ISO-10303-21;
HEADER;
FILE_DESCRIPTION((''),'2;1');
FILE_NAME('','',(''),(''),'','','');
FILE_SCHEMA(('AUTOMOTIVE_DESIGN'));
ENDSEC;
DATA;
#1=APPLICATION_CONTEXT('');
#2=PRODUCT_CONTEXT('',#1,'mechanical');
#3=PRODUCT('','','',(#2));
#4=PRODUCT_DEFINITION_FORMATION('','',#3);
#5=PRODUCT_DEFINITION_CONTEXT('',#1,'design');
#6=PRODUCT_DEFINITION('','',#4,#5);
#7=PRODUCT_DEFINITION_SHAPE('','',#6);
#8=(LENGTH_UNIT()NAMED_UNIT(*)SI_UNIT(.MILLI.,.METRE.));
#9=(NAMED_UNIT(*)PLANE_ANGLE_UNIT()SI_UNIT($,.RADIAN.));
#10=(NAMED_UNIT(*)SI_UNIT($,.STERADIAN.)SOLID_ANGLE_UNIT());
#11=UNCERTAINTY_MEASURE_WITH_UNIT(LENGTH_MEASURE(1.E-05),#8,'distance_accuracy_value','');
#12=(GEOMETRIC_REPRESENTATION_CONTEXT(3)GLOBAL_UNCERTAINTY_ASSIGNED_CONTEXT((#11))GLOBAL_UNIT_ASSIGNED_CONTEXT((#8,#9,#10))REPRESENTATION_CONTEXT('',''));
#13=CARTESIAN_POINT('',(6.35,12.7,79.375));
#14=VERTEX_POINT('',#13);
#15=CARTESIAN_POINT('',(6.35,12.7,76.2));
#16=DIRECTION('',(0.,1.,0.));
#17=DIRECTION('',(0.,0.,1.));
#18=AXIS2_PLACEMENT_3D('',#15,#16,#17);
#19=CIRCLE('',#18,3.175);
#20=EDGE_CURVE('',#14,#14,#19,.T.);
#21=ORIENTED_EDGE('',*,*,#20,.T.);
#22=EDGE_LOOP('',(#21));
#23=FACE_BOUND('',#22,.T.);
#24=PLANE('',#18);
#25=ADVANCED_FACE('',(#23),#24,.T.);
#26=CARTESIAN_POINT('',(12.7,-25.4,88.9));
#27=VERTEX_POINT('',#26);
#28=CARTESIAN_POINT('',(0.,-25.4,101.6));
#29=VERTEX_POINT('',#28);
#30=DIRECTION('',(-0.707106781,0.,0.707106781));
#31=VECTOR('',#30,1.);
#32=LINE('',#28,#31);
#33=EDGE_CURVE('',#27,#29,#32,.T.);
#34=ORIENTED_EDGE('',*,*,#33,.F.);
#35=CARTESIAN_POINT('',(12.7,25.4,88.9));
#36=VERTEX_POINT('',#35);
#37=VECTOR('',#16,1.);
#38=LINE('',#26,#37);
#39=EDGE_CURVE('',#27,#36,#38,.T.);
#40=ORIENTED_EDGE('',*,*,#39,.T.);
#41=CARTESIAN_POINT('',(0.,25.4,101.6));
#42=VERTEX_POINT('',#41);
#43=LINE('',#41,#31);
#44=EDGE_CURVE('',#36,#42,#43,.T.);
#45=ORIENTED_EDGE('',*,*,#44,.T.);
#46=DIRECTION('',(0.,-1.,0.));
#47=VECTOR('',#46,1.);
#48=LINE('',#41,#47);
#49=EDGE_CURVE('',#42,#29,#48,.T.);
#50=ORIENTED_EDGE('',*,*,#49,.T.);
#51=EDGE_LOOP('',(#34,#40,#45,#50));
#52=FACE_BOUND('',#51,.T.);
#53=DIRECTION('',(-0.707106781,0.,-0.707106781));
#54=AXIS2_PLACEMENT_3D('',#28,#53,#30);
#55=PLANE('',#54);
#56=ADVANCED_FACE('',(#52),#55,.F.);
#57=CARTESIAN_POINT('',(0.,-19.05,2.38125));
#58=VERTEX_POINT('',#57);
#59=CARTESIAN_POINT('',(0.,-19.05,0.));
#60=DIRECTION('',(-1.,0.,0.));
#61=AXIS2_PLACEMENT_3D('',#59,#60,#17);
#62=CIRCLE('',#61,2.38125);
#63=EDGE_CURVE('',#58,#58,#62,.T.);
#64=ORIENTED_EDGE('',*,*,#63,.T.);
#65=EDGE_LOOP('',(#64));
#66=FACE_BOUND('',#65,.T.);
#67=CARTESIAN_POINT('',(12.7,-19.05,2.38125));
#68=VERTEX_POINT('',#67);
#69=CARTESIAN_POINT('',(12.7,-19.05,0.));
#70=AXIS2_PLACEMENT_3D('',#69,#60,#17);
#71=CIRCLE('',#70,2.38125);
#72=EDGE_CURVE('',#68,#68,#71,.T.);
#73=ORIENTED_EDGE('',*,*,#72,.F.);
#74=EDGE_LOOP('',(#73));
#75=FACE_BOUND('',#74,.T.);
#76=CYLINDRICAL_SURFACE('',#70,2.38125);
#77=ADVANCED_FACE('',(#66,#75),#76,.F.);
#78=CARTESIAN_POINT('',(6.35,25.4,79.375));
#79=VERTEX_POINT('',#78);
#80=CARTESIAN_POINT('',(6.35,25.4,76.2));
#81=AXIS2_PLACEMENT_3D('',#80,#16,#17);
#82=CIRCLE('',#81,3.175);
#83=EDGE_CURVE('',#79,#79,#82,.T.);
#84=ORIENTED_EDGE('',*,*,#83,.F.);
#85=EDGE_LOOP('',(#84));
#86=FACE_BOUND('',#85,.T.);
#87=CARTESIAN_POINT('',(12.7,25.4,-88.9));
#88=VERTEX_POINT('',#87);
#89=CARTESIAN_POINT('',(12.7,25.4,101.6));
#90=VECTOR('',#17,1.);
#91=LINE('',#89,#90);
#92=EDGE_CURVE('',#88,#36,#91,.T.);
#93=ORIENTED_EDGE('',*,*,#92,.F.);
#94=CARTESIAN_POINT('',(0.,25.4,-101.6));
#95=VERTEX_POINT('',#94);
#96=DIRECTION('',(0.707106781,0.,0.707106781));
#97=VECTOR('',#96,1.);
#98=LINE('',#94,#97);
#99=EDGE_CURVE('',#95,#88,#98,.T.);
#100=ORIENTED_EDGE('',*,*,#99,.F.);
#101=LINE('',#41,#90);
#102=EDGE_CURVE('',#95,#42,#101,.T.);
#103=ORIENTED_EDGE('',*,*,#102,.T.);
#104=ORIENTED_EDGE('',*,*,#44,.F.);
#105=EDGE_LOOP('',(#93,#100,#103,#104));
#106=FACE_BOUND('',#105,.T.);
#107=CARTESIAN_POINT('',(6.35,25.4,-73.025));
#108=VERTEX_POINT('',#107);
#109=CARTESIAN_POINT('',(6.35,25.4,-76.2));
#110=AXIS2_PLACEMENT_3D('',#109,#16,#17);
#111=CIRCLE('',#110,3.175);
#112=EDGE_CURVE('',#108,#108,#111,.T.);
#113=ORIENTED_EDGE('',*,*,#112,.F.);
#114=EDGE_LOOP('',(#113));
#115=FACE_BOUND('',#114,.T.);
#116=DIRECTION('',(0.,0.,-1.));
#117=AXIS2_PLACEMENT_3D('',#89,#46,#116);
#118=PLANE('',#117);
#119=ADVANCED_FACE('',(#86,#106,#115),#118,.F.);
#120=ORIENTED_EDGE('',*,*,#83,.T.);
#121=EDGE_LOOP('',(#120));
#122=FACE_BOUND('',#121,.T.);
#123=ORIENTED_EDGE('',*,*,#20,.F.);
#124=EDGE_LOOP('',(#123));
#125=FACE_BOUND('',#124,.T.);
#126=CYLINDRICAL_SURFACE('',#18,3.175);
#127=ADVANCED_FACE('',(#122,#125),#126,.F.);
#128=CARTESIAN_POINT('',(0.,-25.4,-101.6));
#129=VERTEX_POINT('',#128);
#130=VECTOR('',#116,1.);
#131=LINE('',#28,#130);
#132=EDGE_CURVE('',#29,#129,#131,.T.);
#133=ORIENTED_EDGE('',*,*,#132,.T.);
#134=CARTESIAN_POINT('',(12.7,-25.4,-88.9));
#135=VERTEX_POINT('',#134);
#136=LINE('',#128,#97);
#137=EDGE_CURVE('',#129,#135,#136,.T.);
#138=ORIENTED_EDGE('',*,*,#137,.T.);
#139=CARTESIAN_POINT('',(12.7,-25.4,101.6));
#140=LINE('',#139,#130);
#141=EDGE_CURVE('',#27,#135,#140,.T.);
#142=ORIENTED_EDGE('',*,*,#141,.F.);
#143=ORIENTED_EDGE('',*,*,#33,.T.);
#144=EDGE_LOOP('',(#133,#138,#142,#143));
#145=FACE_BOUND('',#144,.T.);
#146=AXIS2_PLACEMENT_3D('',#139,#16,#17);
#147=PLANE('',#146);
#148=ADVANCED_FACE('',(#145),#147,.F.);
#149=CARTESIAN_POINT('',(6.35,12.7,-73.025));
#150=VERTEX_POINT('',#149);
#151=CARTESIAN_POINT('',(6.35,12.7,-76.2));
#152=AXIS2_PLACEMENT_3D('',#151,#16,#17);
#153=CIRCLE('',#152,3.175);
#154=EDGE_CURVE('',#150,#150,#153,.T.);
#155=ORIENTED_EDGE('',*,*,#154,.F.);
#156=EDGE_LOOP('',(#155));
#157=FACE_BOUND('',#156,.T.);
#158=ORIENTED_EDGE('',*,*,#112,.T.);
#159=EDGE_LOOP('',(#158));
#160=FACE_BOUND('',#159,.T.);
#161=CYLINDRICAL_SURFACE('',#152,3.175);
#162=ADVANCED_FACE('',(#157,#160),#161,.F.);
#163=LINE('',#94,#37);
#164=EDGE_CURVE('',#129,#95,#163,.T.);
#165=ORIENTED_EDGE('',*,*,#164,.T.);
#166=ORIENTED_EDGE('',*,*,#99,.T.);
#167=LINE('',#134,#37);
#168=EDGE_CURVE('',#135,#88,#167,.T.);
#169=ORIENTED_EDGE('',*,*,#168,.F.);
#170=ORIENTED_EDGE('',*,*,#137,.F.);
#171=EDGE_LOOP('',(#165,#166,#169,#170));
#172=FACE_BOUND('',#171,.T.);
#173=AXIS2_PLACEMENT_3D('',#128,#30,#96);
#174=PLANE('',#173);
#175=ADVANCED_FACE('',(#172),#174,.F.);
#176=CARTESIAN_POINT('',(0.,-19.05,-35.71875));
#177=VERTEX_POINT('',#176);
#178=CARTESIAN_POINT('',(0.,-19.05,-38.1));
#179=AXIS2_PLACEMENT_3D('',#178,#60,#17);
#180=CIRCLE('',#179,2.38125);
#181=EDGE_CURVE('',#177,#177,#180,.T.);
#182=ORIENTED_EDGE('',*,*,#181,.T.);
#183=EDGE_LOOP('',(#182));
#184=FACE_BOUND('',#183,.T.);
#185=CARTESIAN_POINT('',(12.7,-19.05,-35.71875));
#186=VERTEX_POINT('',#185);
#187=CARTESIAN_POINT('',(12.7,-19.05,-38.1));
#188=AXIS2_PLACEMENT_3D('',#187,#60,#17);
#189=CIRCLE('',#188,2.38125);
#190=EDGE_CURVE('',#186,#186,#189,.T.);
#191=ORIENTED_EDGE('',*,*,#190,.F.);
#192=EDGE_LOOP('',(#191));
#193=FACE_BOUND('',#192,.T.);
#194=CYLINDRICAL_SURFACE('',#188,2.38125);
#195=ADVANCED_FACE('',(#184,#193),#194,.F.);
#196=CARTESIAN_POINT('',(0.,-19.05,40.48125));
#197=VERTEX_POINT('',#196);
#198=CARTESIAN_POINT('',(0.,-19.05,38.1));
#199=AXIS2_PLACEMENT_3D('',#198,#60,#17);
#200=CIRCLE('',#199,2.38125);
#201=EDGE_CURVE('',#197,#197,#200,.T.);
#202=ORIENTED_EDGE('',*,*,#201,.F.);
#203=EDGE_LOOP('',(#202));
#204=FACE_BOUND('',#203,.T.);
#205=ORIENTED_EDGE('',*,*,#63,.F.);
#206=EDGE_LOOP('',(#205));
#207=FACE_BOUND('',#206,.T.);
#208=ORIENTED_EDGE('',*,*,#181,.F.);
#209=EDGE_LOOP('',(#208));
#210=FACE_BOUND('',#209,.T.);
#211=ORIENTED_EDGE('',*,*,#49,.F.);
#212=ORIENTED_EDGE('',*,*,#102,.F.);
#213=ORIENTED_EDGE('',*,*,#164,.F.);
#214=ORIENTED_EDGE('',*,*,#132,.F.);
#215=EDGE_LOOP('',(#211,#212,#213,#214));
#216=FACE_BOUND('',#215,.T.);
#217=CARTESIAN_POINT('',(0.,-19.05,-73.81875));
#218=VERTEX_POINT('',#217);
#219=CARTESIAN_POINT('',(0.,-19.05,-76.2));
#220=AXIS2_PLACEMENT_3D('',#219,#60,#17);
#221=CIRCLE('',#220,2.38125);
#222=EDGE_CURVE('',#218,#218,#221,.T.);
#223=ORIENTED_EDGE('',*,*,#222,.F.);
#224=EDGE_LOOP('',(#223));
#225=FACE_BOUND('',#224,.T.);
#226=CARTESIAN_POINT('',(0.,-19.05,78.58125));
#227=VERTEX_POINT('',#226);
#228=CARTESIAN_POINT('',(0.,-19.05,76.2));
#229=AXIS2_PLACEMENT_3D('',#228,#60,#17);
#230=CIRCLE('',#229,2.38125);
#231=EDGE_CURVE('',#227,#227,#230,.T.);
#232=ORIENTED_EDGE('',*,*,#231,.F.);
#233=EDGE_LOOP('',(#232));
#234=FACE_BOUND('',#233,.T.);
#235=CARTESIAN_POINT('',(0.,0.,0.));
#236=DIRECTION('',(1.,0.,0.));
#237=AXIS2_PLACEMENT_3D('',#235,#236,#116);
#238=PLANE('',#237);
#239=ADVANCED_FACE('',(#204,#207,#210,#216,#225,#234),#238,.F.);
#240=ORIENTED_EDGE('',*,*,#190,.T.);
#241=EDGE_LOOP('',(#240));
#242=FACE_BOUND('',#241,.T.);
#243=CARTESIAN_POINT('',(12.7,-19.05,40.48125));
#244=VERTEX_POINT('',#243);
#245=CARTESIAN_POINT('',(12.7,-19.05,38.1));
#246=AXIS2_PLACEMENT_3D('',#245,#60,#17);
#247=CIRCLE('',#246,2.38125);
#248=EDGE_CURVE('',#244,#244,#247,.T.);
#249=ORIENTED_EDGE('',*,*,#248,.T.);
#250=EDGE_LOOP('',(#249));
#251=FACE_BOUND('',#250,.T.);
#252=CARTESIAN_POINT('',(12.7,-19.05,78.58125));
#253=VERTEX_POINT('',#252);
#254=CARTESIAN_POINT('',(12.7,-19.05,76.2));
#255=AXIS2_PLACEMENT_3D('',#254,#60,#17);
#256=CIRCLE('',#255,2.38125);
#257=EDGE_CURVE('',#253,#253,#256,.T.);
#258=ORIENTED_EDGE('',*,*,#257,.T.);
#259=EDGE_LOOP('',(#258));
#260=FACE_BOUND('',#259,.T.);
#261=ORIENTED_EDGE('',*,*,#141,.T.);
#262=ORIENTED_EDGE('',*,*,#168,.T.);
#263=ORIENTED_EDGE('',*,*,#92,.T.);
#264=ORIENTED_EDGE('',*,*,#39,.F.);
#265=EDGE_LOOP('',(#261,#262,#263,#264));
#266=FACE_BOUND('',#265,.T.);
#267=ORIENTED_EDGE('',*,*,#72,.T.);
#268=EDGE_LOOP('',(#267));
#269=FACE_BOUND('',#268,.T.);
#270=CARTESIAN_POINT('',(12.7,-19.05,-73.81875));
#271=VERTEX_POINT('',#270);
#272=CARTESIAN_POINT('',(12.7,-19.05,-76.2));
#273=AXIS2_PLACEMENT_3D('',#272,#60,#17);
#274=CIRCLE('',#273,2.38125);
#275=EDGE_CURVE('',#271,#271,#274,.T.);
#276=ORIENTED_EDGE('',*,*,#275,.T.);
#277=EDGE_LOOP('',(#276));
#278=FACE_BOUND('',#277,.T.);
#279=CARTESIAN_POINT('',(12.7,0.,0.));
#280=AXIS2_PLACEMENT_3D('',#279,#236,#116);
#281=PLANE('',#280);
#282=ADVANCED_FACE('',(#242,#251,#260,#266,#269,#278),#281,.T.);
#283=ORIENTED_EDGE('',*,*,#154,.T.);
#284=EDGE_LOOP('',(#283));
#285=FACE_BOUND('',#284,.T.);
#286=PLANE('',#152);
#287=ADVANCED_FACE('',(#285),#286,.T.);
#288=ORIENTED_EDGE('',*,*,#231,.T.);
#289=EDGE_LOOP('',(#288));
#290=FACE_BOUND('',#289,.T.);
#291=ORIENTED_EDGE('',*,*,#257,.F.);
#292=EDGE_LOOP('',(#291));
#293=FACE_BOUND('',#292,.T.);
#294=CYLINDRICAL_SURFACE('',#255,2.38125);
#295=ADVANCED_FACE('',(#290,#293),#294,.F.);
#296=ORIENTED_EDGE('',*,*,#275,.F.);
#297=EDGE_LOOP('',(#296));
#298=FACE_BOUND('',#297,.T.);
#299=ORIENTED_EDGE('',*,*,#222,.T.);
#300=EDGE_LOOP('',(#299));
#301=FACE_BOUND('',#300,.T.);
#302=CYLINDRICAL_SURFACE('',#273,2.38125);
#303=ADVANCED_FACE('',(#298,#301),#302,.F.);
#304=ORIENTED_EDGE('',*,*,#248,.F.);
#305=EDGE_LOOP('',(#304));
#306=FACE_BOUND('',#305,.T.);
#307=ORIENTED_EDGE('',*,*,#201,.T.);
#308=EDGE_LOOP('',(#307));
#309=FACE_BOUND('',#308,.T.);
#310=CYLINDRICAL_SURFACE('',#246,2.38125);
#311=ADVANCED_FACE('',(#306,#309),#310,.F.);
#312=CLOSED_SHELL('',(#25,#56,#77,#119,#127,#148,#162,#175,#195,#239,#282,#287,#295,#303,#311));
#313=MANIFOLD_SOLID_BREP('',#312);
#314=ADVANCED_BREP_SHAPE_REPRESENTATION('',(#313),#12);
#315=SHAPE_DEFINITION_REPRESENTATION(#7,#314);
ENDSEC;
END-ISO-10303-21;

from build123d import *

# Parameters (mm, degrees)
SKETCH1_W           = 203.2
SKETCH1_H           = 50.8
BOSS_EXTRUDE1_DEPTH = 12.7
CUT_EXTRUDE1_DEPTH  = 115.3
SKETCH4_R           = 2.38125
CUT_EXTRUDE3_DEPTH  = 106.494123059
LPATTERN1_COUNT     = 5
LPATTERN1_PITCH     = 38.1
SKETCH5_R           = 3.175
CUT_EXTRUDE4_DEPTH  = 12.7


with BuildPart() as part:
    # Sketch1 → Boss-Extrude1 (new body)
    with BuildSketch(Plane(origin=(0, 0, 0), x_dir=(0, 0, -1), z_dir=(1, 0, 0))):
        Rectangle(SKETCH1_W, SKETCH1_H)
    extrude(amount=BOSS_EXTRUDE1_DEPTH)

    # Sketch2 → Cut-Extrude1 (cut, through all)
    with BuildSketch(Plane(origin=(0, 25.4, 0), x_dir=(1, 0, 0), z_dir=(0, 1, 0))):
        Polygon((0, 101.6), (12.7, 88.9), (12.7, 101.6), align=None)
        Polygon((0, -101.6), (12.7, -88.9), (12.7, -101.6), align=None)
    extrude(amount=-CUT_EXTRUDE1_DEPTH, mode=Mode.SUBTRACT)

    # Sketch4 → Cut-Extrude3 (cut, through all)
    with BuildSketch(Plane.ZY):
        with Locations((-76.2, -19.05)):
            Circle(SKETCH4_R)
    cut_extrude3 = extrude(amount=-CUT_EXTRUDE3_DEPTH, mode=Mode.SUBTRACT)

    # LPattern1: Cut-Extrude3 ×5
    with Locations(*[(0, 0, i * LPATTERN1_PITCH) for i in range(1, LPATTERN1_COUNT)]):
        add(cut_extrude3, mode=Mode.SUBTRACT)

    # Sketch5 → Cut-Extrude4 (cut)
    with BuildSketch(Plane(origin=(0, 25.4, 0), x_dir=(1, 0, 0), z_dir=(0, 1, 0))):
        with Locations(Location((6.35, 76.2, 0), (0, 0, 270))):
            Circle(SKETCH5_R)
        with Locations(Location((6.35, -76.2, 0), (0, 0, 270))):
            Circle(SKETCH5_R)
    extrude(amount=-CUT_EXTRUDE4_DEPTH, mode=Mode.SUBTRACT)


solid = part.part
